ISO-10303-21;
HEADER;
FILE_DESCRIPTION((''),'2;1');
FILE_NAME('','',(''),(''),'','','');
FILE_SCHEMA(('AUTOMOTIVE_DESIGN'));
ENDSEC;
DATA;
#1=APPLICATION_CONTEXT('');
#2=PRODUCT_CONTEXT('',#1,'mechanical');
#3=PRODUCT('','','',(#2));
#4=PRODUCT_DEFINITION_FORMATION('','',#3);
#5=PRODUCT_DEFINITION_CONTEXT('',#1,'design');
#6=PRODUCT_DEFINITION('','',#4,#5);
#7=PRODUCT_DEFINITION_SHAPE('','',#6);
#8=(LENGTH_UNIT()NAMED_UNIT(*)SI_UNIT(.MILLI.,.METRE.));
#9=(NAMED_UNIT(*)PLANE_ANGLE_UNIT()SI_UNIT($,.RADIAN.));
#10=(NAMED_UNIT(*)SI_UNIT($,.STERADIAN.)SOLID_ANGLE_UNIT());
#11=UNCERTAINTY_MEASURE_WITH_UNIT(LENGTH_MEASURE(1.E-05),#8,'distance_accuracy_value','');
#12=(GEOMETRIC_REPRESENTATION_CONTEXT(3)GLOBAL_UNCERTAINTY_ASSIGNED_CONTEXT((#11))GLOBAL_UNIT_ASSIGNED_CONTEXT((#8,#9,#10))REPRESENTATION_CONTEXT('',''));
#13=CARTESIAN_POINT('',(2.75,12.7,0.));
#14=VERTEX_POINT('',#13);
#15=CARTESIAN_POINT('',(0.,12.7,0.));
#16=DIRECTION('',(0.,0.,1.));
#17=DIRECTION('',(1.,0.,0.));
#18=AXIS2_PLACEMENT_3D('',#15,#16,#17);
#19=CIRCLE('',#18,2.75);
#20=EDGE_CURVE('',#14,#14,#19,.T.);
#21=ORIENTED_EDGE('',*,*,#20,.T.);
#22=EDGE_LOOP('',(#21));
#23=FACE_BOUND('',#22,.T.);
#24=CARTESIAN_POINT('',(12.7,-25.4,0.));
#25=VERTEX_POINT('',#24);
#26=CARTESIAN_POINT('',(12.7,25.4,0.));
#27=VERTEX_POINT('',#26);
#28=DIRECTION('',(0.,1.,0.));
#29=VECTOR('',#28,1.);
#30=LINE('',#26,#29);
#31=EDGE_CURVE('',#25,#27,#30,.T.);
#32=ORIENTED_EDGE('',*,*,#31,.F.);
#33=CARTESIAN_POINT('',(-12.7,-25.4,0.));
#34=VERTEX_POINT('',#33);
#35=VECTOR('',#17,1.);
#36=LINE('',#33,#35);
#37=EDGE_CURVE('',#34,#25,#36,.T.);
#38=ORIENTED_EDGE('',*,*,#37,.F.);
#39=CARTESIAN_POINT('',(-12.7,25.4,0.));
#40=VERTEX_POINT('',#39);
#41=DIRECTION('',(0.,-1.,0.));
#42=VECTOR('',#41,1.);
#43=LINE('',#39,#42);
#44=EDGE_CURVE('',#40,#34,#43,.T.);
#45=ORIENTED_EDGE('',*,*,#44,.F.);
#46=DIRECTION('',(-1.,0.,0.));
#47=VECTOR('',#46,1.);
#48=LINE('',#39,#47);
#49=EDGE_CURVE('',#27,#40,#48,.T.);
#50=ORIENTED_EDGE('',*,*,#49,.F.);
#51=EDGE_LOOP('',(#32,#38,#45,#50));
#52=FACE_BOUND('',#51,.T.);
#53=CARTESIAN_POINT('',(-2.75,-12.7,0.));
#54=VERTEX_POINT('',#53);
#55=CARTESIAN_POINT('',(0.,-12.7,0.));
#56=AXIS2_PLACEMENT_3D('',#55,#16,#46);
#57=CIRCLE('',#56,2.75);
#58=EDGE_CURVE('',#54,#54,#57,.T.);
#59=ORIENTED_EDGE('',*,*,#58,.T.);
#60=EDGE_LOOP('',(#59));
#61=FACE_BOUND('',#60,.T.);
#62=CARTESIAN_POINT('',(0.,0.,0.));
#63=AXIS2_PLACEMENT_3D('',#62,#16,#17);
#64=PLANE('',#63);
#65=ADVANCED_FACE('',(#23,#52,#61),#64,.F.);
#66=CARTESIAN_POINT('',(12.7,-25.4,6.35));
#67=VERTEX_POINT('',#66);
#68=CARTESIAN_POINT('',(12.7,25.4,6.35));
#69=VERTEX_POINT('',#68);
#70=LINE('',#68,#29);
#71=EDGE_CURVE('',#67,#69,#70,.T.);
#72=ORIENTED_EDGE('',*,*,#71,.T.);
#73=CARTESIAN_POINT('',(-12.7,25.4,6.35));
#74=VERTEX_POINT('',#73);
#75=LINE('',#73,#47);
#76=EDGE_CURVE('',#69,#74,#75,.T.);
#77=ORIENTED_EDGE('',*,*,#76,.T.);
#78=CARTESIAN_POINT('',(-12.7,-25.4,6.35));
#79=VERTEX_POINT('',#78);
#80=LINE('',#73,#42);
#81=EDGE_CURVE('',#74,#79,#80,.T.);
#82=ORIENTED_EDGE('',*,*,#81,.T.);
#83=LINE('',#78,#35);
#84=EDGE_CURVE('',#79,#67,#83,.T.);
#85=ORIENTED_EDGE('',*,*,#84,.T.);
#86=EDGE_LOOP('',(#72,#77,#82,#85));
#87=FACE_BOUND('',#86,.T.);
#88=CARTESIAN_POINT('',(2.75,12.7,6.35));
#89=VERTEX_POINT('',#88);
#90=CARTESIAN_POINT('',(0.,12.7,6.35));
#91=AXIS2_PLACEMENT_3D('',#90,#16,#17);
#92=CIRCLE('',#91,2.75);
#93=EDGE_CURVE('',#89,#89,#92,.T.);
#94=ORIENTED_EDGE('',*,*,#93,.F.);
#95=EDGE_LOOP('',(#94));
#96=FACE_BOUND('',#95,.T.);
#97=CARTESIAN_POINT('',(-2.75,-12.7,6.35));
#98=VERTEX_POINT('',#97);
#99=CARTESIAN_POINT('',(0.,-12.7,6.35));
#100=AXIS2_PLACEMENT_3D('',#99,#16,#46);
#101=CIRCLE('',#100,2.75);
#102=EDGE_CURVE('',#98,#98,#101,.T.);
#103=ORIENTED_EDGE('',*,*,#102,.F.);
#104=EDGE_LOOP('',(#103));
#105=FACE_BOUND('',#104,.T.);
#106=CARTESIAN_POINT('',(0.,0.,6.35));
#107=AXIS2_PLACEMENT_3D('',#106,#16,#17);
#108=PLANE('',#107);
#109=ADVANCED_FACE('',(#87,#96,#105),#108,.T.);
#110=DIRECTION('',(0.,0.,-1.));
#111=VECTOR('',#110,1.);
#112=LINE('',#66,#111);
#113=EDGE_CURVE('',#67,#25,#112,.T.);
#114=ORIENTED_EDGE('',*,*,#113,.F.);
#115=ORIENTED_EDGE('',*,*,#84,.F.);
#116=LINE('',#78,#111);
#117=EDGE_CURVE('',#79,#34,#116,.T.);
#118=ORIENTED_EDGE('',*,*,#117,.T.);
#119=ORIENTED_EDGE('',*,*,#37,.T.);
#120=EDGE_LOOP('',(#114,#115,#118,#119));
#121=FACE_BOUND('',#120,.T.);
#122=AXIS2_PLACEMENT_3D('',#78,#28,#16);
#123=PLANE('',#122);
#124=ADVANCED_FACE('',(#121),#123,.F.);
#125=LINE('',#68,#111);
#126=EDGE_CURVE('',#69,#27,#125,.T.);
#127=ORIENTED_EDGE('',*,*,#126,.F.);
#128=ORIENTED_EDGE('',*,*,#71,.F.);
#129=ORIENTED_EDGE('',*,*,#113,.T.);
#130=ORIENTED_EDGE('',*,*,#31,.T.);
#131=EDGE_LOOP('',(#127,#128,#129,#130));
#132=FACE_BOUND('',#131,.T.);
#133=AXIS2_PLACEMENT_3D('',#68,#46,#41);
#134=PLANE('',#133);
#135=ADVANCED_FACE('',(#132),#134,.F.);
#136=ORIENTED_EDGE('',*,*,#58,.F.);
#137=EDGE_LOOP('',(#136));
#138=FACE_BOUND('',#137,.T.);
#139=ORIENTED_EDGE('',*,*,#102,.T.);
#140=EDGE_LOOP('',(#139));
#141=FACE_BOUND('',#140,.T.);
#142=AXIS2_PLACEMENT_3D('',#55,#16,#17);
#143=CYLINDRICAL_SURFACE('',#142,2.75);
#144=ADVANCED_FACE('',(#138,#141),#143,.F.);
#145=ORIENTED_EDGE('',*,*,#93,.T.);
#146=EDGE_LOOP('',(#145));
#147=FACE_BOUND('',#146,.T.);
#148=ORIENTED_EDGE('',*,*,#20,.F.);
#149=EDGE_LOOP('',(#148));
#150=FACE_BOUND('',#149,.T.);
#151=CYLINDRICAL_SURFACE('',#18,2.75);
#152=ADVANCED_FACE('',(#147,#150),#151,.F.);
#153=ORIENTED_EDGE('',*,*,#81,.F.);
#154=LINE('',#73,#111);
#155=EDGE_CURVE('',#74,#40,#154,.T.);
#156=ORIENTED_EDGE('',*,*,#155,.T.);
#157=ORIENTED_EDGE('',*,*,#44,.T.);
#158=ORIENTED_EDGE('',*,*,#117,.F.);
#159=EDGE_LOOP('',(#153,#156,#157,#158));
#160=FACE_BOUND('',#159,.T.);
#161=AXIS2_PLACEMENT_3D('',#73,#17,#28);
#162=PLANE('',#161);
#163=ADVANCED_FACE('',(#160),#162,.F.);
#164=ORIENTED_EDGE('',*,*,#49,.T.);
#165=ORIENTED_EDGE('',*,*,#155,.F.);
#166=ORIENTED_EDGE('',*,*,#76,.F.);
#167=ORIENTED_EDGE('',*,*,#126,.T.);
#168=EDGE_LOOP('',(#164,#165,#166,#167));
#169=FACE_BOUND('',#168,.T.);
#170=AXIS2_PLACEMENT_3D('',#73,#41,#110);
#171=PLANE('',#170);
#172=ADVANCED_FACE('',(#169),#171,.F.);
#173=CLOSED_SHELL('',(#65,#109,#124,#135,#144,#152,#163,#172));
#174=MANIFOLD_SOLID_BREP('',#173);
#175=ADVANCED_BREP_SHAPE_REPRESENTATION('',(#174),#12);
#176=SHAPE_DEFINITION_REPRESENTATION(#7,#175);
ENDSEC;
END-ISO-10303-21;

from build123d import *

# Parameters (mm, degrees)
ESQUISSE1_W             = 25.4
ESQUISSE1_H             = 50.8
BOSS_EXTRU_1_DEPTH      = 6.35
ESQUISSE2_R             = 2.75
ENL_V_MAT_EXTRU_1_DEPTH = 6.35


with BuildPart() as part:
    # Esquisse1 → Boss.-Extru.1 (new body)
    with BuildSketch(Plane.XY):
        Rectangle(ESQUISSE1_W, ESQUISSE1_H)
    extrude(amount=BOSS_EXTRU_1_DEPTH)

    # Esquisse2 → Enlèv. mat.-Extru.1 (cut)
    with BuildSketch(Plane.XY.offset(6.35)):
        with Locations((0, 12.7)):
            Circle(ESQUISSE2_R)
        with Locations(Location((0, -12.7, 0), (0, 0, 180))):
            Circle(ESQUISSE2_R)
    extrude(amount=-ENL_V_MAT_EXTRU_1_DEPTH, mode=Mode.SUBTRACT)


solid = part.part
